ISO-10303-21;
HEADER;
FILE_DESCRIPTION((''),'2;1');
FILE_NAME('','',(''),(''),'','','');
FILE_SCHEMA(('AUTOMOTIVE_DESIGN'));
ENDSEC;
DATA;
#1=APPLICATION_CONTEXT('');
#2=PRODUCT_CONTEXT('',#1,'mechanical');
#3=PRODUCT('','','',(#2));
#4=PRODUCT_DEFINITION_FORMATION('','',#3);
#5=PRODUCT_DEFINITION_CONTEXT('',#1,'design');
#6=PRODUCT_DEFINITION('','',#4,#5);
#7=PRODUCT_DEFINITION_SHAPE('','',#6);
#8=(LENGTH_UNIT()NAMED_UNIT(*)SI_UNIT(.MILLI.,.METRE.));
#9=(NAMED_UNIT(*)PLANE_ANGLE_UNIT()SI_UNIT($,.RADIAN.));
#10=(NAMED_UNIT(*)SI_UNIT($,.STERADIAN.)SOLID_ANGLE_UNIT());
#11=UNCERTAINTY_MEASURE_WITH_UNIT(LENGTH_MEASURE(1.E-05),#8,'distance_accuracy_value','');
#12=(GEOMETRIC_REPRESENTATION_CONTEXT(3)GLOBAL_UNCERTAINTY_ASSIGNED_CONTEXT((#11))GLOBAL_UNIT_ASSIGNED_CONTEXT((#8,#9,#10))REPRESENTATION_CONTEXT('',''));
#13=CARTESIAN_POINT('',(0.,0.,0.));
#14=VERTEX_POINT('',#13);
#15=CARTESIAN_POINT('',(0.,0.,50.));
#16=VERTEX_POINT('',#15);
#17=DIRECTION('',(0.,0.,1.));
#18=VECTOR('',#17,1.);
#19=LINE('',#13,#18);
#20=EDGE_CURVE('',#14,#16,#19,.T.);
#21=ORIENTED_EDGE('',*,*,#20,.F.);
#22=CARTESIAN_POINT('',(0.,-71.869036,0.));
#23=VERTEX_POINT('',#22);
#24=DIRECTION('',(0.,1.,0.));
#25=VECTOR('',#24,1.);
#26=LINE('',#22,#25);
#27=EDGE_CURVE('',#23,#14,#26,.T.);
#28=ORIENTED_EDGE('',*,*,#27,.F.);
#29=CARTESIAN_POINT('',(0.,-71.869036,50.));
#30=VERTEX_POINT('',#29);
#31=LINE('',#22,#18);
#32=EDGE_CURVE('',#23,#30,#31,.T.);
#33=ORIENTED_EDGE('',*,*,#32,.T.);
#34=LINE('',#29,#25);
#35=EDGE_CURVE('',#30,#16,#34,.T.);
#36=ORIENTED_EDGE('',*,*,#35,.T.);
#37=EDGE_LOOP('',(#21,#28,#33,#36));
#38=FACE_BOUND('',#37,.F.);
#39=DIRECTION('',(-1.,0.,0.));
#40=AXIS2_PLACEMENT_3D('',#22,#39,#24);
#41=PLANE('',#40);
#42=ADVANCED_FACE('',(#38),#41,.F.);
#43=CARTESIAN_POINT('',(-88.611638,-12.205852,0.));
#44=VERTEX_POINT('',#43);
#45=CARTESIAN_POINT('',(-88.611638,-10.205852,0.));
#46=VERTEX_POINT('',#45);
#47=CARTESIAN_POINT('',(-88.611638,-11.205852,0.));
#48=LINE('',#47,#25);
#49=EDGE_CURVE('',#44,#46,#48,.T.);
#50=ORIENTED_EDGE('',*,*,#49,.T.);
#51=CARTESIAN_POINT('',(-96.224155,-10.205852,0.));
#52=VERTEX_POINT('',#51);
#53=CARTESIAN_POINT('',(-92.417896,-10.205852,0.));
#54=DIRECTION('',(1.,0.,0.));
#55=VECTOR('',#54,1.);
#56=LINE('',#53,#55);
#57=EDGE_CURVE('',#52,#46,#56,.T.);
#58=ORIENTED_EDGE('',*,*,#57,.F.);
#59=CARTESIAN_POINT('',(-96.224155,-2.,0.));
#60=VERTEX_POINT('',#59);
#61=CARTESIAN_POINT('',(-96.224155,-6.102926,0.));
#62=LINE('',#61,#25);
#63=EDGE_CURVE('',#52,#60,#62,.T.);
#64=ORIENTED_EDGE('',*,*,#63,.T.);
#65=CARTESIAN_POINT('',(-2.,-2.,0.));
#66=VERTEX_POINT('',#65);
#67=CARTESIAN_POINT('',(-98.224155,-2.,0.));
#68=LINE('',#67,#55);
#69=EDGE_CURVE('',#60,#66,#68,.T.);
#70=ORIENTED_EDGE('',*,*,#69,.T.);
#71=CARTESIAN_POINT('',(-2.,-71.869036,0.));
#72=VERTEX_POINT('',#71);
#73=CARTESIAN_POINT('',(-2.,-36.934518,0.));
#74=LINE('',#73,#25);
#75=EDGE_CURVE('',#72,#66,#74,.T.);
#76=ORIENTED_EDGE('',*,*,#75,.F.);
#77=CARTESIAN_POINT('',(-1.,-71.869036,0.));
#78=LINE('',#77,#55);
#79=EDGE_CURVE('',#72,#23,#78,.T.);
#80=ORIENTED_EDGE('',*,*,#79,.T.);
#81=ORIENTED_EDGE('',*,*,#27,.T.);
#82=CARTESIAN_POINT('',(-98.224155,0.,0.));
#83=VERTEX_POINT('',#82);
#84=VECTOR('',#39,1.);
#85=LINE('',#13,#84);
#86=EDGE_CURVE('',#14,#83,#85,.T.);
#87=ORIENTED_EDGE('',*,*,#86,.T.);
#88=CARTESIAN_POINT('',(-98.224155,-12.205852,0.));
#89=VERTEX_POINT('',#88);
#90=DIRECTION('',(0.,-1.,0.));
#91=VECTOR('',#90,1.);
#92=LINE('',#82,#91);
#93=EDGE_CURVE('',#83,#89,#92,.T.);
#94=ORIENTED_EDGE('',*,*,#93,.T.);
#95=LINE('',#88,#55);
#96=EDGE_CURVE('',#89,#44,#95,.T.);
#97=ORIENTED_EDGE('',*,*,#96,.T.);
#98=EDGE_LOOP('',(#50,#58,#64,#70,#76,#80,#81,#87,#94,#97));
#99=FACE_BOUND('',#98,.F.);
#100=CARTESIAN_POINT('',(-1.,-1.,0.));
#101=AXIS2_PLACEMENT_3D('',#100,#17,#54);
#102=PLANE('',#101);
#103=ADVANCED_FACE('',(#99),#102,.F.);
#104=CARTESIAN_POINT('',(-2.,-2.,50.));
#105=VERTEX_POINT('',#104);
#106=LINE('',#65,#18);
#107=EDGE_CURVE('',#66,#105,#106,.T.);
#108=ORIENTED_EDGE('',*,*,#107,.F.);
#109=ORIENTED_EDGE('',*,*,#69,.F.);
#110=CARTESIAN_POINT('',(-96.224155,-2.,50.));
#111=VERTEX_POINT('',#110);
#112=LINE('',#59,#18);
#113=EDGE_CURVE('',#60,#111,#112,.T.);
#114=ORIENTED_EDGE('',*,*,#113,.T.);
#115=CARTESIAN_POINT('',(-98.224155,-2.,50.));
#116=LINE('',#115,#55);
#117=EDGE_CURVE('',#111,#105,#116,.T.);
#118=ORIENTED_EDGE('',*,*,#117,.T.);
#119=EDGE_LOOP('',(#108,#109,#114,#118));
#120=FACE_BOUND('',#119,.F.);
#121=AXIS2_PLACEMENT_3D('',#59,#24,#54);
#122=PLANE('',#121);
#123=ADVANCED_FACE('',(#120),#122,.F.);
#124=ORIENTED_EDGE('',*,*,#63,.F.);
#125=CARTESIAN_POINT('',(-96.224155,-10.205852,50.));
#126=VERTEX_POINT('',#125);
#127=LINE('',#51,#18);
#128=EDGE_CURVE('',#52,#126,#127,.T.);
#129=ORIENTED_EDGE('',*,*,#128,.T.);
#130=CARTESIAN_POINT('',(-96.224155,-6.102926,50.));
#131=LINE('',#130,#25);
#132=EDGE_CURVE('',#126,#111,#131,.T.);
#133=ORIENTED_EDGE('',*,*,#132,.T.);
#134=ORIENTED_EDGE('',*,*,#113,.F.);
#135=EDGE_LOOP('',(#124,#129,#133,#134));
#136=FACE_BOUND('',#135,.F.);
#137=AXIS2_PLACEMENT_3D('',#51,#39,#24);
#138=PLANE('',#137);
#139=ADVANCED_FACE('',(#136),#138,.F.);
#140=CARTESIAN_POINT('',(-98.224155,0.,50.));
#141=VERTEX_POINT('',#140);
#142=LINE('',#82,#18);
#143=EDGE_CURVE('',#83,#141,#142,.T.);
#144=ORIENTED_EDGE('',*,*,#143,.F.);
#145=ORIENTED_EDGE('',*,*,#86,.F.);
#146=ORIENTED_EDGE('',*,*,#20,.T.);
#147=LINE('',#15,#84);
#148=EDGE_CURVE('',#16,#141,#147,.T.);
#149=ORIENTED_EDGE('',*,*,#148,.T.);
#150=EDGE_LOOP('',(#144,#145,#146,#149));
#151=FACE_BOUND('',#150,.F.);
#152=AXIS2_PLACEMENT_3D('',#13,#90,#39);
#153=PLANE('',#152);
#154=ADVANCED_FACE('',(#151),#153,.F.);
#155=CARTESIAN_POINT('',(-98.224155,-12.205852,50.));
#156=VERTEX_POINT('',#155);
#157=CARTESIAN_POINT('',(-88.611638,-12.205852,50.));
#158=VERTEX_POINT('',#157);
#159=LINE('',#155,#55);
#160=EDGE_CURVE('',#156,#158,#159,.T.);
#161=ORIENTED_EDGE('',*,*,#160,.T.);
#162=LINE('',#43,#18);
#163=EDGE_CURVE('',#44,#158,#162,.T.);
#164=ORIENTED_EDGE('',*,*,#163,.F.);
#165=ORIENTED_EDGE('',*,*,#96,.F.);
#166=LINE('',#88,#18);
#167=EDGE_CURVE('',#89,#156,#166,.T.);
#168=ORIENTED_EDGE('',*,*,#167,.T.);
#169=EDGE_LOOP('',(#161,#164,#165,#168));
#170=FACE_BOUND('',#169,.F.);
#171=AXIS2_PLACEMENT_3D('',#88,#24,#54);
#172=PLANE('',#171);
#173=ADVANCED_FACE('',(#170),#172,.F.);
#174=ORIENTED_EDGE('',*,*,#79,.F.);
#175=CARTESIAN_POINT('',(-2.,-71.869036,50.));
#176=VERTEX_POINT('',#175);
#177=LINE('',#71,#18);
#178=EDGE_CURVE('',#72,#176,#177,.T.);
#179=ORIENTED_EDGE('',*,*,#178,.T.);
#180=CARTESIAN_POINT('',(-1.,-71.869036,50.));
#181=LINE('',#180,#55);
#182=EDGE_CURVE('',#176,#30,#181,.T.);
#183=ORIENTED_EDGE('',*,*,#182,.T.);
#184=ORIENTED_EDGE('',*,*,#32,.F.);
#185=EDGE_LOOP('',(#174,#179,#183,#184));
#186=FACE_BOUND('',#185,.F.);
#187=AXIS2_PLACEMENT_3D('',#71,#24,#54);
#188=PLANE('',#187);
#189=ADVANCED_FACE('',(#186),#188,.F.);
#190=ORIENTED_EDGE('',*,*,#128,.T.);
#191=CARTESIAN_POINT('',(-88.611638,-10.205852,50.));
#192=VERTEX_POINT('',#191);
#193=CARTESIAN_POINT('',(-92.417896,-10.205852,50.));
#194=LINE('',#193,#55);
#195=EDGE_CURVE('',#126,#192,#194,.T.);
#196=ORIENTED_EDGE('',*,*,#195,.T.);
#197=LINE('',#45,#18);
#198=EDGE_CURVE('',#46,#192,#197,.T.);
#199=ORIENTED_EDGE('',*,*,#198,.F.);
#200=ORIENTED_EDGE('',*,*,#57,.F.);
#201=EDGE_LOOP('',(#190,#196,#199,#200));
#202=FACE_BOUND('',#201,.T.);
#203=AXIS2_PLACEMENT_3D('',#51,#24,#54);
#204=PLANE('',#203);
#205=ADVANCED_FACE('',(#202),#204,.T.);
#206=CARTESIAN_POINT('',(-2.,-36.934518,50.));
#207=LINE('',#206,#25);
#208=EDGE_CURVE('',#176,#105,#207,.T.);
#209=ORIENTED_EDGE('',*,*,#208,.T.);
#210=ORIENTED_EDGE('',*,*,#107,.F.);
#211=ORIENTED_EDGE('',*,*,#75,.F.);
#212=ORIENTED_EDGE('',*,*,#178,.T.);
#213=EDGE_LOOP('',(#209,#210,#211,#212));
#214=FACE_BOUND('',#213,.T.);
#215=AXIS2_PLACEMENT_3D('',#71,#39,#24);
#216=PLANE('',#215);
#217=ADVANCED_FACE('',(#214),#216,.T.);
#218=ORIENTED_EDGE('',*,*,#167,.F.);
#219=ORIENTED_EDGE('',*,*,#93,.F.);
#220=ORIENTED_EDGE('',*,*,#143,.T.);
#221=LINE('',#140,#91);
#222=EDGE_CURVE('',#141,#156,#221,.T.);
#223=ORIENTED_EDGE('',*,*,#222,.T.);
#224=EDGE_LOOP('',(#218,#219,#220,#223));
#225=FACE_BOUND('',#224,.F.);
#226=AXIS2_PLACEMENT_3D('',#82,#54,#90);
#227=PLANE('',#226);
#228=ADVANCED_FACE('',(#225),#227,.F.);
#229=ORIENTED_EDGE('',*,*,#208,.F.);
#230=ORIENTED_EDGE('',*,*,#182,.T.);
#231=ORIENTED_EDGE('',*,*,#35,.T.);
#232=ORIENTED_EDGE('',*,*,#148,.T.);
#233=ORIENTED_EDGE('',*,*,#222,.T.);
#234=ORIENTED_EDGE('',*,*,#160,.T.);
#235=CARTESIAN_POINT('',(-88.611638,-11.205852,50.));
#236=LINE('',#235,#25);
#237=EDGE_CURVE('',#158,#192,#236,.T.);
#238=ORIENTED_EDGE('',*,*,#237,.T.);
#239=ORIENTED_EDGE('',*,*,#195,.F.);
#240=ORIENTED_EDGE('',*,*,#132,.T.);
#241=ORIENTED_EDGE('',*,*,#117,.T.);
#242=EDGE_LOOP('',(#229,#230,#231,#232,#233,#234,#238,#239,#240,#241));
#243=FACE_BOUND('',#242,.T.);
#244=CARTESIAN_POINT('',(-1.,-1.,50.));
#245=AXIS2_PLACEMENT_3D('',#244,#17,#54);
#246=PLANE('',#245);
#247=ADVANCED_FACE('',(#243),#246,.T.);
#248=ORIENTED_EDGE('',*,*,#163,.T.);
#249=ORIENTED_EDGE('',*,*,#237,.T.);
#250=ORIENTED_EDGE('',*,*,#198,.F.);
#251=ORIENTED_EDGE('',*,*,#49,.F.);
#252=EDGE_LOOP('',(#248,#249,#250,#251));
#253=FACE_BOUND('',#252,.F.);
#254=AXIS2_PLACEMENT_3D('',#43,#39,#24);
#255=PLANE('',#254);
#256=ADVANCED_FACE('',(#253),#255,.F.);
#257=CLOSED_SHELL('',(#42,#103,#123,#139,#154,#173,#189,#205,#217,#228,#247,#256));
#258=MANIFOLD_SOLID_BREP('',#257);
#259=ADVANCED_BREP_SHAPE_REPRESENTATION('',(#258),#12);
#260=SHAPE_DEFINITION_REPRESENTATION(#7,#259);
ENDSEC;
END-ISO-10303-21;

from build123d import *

# Parameters (mm, degrees)
F0_W     = 2
F0_H     = 2
F0_W_2   = 94.2241554609
F0_H_2   = 69.8690360831
F0_H_3   = 8.2058520482
F0_W_3   = 7.6125179348
F1_DEPTH = 50


with BuildPart() as f1:
    # F0 (on Top) → F1 (new body)
    with BuildSketch(Plane.XY):
        with Locations((-1, -1)):
            Rectangle(F0_W, F0_H)
        with Locations((-49.1120777304, -1)):
            Rectangle(F0_W_2, F0_H)
        with Locations((-1, -36.9345180416)):
            Rectangle(F0_W, F0_H_2)
        with Locations((-97.2241554609, -1)):
            Rectangle(F0_W, F0_H)
        with Locations((-97.2241554609, -6.1029260241)):
            Rectangle(F0_W, F0_H_3)
        with Locations((-92.4178964935, -11.2058520482)):
            Rectangle(F0_W_3, F0_H)
        with Locations((-97.2241554609, -11.2058520482)):
            Rectangle(F0_W, F0_H)
    extrude(amount=F1_DEPTH)


solid = f1.part
